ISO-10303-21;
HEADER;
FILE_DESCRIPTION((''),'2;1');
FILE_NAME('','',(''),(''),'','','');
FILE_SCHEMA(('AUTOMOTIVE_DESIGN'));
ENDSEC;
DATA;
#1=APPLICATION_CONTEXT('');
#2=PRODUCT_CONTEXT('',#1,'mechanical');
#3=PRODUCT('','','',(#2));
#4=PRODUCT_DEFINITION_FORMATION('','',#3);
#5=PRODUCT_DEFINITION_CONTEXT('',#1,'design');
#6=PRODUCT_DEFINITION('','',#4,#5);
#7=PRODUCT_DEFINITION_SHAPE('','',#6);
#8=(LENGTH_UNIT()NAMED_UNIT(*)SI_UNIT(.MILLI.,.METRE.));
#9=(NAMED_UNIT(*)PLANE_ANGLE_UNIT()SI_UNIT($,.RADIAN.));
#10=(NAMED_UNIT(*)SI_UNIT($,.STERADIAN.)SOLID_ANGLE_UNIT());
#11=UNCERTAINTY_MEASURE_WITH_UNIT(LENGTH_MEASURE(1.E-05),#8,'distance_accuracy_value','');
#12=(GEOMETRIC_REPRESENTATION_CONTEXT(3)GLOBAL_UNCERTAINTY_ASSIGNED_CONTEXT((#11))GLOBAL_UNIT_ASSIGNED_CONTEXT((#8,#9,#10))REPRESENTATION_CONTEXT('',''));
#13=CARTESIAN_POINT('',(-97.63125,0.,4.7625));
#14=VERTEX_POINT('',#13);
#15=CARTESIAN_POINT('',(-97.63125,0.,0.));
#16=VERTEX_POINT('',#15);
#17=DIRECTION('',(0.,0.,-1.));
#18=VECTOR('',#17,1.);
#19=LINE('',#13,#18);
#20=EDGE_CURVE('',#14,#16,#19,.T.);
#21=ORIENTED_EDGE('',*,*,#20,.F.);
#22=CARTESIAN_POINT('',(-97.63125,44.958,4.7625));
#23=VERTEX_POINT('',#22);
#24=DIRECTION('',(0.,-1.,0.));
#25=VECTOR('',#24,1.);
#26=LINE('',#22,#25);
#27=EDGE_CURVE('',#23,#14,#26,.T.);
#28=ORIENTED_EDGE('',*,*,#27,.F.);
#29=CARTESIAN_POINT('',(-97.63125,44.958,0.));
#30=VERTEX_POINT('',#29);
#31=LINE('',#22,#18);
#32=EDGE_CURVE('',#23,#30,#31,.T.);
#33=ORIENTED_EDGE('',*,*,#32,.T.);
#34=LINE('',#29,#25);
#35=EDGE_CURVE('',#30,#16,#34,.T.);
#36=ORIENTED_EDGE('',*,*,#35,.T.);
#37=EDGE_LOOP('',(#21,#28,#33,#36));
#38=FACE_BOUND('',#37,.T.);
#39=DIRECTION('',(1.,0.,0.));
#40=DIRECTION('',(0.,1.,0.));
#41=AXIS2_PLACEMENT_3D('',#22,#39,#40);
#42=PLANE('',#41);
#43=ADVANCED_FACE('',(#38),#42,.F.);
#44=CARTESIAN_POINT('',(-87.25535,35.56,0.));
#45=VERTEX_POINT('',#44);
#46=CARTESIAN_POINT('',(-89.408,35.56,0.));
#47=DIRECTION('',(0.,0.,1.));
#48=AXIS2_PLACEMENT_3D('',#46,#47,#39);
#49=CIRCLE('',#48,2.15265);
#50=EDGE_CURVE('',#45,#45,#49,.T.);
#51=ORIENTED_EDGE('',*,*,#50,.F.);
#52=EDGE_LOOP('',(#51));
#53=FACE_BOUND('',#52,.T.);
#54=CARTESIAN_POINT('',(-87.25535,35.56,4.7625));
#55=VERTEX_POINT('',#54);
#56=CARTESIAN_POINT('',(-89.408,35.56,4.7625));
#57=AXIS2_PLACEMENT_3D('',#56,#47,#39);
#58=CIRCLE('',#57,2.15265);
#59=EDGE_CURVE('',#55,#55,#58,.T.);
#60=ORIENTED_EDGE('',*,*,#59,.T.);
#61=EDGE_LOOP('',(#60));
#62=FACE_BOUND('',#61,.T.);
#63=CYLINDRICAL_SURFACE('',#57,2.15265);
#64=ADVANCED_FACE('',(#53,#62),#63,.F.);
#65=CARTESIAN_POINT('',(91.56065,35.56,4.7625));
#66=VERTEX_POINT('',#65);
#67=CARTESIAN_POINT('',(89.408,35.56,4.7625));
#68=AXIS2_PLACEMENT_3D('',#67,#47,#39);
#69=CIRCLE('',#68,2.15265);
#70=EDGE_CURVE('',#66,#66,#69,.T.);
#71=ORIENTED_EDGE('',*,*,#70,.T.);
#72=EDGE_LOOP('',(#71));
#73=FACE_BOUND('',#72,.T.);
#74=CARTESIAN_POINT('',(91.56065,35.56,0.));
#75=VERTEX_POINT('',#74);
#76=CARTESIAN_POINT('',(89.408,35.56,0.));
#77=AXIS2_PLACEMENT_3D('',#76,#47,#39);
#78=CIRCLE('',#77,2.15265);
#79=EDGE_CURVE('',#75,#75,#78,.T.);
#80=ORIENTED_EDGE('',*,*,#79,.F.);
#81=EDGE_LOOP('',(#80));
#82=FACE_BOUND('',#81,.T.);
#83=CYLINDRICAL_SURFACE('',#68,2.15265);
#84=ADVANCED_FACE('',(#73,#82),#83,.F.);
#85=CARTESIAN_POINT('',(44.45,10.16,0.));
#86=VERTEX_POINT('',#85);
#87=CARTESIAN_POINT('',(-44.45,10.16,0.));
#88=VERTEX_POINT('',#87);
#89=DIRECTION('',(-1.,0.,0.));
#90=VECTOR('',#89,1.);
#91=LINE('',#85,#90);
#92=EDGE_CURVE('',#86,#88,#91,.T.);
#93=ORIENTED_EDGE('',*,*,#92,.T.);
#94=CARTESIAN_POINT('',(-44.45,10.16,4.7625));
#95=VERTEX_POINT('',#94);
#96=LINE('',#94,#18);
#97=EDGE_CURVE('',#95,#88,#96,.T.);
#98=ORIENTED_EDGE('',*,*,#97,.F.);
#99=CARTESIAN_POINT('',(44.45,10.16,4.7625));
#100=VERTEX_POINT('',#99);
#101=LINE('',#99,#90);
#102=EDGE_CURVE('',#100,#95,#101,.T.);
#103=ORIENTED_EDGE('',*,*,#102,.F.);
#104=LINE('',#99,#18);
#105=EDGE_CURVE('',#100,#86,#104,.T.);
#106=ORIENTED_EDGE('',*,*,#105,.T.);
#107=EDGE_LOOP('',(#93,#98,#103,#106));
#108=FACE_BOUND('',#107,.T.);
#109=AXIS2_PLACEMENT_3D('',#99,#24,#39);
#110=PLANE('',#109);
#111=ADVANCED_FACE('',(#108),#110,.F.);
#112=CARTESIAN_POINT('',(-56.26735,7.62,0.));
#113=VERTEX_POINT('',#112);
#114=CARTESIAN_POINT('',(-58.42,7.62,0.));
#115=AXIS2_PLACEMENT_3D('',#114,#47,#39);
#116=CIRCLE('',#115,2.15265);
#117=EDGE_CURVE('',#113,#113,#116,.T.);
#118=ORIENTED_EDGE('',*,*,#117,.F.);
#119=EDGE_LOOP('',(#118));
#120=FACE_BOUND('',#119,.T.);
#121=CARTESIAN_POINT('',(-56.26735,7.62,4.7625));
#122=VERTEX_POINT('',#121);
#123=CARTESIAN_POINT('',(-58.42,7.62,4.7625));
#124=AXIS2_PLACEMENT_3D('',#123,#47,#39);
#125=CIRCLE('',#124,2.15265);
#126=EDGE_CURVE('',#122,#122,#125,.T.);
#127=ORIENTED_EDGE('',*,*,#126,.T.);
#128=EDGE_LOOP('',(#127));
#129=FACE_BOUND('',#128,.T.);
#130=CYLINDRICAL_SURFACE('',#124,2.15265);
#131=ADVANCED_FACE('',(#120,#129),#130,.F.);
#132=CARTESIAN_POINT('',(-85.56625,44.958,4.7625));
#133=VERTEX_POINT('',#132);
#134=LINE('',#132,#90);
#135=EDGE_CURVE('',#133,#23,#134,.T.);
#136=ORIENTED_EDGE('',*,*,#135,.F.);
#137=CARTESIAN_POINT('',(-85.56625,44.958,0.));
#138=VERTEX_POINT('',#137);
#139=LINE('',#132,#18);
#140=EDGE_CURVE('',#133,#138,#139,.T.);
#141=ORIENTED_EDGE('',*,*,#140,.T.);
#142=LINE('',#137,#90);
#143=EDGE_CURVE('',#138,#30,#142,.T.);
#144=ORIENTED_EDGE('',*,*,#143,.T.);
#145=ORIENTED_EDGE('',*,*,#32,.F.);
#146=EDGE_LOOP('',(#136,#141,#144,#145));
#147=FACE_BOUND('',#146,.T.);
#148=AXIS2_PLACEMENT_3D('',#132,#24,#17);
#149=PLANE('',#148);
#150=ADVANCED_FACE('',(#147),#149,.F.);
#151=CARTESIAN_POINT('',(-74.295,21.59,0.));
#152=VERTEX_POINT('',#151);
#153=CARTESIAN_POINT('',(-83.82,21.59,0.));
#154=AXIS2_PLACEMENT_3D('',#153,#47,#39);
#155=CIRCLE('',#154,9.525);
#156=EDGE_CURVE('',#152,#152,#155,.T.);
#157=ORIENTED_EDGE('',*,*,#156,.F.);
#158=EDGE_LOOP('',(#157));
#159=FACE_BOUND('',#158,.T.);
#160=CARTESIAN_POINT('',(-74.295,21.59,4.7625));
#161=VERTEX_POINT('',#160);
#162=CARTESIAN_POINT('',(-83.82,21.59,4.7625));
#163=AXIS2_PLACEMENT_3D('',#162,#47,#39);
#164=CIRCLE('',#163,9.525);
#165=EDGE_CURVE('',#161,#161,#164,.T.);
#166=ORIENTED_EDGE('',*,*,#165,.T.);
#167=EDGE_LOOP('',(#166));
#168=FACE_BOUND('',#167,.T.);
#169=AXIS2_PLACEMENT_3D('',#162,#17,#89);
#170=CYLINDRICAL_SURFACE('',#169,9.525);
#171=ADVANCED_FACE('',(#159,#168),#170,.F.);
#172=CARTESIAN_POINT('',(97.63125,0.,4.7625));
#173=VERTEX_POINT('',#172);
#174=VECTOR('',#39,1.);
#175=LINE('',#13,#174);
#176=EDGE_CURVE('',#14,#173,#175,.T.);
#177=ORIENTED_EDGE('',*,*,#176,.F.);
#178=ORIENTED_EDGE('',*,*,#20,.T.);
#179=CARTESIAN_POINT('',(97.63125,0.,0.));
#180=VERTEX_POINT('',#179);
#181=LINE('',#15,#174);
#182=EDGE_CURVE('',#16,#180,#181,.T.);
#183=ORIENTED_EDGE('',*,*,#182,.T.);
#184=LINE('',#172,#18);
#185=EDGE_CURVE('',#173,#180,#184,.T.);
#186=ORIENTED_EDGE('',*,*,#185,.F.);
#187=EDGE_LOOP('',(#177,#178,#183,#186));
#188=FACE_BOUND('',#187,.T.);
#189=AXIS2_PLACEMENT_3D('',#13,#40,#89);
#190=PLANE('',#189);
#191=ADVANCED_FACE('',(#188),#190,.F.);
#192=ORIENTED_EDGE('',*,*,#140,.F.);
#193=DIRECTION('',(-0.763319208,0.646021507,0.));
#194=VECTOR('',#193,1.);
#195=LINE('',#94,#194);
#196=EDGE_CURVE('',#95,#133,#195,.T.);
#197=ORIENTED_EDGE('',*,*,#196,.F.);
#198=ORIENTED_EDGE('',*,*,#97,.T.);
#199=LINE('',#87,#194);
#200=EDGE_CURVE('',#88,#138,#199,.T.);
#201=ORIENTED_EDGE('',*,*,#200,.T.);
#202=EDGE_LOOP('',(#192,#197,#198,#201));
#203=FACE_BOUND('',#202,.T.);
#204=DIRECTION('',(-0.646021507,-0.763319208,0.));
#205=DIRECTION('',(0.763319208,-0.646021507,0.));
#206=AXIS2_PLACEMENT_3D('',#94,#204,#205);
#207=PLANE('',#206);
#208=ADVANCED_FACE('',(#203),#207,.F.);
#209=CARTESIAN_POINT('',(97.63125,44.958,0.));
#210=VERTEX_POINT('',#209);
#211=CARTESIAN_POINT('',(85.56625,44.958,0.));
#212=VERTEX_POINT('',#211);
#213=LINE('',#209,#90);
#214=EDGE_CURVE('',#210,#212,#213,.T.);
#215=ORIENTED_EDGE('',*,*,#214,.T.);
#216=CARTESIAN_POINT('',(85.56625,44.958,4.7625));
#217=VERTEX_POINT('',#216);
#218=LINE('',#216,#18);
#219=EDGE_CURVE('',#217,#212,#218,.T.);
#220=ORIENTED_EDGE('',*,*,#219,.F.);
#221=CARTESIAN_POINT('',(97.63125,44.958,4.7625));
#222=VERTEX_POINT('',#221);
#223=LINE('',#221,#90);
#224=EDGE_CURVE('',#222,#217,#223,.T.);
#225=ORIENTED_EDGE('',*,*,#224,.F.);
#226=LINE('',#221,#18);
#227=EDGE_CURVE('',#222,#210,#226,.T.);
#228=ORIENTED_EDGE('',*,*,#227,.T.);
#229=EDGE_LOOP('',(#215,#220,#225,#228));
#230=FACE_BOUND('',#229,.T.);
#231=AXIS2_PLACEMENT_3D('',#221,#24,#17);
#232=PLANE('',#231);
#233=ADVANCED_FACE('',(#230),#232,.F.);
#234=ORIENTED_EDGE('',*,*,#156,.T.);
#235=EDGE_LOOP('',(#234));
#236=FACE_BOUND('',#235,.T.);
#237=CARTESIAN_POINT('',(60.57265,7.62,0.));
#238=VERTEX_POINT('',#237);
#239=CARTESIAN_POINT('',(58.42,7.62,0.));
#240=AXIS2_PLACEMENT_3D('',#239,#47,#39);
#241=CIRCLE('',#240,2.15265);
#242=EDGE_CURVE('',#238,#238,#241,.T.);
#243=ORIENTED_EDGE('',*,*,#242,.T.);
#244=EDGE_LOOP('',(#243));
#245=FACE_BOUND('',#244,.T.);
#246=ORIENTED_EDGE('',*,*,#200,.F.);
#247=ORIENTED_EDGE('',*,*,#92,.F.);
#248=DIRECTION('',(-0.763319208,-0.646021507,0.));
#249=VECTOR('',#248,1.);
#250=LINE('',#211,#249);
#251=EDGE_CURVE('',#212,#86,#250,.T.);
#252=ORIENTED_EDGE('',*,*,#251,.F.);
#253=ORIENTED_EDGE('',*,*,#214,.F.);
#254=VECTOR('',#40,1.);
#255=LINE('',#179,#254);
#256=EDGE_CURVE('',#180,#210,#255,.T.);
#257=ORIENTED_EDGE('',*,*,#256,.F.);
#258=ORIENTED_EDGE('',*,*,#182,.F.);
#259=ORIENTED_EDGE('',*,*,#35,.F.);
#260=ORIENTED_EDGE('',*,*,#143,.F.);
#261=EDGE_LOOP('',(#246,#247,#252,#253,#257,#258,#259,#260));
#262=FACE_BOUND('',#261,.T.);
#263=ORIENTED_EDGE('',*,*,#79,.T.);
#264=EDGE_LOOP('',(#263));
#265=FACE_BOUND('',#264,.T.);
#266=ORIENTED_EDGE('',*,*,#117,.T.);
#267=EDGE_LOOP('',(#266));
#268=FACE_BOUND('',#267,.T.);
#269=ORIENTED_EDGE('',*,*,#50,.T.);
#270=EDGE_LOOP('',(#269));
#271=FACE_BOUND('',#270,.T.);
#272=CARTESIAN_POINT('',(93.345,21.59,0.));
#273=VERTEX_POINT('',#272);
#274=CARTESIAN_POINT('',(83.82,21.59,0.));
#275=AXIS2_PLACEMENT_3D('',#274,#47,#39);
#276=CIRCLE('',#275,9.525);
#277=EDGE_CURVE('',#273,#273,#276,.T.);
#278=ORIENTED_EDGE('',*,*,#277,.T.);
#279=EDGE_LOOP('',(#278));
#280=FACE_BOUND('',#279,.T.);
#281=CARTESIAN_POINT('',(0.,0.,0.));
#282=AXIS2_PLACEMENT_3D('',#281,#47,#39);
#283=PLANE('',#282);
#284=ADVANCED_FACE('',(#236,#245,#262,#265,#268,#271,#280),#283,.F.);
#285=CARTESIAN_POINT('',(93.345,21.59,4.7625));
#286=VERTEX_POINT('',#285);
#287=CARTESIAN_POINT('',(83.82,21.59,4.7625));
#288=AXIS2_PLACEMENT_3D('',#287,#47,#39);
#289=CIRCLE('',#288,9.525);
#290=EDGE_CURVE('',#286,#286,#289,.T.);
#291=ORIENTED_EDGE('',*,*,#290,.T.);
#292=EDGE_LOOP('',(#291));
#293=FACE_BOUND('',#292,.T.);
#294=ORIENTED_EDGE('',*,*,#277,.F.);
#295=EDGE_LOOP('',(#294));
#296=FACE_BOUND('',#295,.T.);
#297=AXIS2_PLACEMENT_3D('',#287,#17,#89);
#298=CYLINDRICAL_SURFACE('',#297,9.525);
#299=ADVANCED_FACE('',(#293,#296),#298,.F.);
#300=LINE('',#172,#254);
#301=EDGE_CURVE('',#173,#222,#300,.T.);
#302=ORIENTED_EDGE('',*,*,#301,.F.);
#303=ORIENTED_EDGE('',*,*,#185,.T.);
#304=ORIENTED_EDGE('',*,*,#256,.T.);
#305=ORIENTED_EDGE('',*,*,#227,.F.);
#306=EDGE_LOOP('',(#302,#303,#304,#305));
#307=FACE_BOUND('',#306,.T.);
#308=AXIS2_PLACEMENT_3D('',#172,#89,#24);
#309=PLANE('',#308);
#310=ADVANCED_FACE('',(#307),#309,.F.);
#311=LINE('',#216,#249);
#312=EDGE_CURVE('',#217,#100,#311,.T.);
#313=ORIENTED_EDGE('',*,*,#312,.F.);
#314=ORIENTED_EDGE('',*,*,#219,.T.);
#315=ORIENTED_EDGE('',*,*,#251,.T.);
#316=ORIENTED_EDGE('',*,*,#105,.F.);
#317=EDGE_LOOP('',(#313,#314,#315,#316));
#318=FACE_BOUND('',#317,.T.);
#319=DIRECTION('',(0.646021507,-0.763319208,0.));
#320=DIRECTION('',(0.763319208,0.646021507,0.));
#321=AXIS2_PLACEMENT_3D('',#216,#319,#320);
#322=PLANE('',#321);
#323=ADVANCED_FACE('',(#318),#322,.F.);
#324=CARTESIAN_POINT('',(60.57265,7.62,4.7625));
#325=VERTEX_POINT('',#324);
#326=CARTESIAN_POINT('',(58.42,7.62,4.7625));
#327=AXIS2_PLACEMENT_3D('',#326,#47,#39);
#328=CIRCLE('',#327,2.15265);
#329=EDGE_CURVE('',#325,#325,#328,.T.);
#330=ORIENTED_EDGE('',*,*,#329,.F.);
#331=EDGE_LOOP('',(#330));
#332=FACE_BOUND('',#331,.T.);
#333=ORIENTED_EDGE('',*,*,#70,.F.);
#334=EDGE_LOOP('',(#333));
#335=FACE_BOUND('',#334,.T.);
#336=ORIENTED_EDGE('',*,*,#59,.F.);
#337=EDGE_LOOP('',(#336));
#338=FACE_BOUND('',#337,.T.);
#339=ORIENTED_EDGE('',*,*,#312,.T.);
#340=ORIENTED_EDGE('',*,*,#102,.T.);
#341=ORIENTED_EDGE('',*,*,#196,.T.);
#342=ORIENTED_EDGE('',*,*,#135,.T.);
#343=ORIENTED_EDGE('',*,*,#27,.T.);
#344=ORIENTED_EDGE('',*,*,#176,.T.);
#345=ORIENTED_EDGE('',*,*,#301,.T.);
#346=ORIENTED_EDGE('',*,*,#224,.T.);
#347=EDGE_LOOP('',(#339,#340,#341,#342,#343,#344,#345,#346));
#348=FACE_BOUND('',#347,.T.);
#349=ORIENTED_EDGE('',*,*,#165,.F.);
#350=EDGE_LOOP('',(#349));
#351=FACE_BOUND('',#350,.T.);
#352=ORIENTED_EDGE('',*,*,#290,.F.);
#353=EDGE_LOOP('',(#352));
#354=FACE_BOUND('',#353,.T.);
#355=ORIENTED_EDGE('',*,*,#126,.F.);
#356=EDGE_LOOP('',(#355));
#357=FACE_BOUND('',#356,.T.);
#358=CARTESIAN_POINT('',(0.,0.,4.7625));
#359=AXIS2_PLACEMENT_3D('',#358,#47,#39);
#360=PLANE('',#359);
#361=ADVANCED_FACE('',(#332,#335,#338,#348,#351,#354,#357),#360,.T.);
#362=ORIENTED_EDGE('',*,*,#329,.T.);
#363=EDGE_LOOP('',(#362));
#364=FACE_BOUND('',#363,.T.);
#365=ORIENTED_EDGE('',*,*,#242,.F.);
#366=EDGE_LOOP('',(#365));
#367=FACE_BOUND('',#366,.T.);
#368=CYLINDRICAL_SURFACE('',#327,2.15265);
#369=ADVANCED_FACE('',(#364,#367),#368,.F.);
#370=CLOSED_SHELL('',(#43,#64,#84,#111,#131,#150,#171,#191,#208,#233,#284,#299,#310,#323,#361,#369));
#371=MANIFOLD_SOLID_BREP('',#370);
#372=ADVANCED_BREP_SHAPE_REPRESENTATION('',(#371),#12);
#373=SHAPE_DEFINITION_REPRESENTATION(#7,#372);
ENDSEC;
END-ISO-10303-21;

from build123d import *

# Parameters (mm, degrees)
SKETCH1_R             = 9.525
BOSS_EXTRUDE1_DEPTH   = 4.7625
F_6_CLEARANCE_HOLE1_D = 4.3053


with BuildPart() as part:
    # Sketch1 → Boss-Extrude1 (new body)
    with BuildSketch(Plane.XY):
        Polygon((-44.45, 10.16), (-85.56625, 44.958), (-97.63125, 44.958), (-97.63125, 0), (97.63125, 0), (97.63125, 44.958), (85.56625, 44.958), (44.45, 10.16), align=None)
        with Locations((-83.82, 21.59)):
            Circle(SKETCH1_R, mode=Mode.SUBTRACT)
        with Locations((83.82, 21.59)):
            Circle(SKETCH1_R, mode=Mode.SUBTRACT)
    extrude(amount=BOSS_EXTRUDE1_DEPTH)

    # #6 Clearance Hole1 (through all)
    with Locations(Plane.XY.offset(4.7625)):
        with Locations((89.408, 35.56), (58.42, 7.62), (-58.42, 7.62), (-89.408, 35.56)):
            Hole(F_6_CLEARANCE_HOLE1_D / 2)


solid = part.part
